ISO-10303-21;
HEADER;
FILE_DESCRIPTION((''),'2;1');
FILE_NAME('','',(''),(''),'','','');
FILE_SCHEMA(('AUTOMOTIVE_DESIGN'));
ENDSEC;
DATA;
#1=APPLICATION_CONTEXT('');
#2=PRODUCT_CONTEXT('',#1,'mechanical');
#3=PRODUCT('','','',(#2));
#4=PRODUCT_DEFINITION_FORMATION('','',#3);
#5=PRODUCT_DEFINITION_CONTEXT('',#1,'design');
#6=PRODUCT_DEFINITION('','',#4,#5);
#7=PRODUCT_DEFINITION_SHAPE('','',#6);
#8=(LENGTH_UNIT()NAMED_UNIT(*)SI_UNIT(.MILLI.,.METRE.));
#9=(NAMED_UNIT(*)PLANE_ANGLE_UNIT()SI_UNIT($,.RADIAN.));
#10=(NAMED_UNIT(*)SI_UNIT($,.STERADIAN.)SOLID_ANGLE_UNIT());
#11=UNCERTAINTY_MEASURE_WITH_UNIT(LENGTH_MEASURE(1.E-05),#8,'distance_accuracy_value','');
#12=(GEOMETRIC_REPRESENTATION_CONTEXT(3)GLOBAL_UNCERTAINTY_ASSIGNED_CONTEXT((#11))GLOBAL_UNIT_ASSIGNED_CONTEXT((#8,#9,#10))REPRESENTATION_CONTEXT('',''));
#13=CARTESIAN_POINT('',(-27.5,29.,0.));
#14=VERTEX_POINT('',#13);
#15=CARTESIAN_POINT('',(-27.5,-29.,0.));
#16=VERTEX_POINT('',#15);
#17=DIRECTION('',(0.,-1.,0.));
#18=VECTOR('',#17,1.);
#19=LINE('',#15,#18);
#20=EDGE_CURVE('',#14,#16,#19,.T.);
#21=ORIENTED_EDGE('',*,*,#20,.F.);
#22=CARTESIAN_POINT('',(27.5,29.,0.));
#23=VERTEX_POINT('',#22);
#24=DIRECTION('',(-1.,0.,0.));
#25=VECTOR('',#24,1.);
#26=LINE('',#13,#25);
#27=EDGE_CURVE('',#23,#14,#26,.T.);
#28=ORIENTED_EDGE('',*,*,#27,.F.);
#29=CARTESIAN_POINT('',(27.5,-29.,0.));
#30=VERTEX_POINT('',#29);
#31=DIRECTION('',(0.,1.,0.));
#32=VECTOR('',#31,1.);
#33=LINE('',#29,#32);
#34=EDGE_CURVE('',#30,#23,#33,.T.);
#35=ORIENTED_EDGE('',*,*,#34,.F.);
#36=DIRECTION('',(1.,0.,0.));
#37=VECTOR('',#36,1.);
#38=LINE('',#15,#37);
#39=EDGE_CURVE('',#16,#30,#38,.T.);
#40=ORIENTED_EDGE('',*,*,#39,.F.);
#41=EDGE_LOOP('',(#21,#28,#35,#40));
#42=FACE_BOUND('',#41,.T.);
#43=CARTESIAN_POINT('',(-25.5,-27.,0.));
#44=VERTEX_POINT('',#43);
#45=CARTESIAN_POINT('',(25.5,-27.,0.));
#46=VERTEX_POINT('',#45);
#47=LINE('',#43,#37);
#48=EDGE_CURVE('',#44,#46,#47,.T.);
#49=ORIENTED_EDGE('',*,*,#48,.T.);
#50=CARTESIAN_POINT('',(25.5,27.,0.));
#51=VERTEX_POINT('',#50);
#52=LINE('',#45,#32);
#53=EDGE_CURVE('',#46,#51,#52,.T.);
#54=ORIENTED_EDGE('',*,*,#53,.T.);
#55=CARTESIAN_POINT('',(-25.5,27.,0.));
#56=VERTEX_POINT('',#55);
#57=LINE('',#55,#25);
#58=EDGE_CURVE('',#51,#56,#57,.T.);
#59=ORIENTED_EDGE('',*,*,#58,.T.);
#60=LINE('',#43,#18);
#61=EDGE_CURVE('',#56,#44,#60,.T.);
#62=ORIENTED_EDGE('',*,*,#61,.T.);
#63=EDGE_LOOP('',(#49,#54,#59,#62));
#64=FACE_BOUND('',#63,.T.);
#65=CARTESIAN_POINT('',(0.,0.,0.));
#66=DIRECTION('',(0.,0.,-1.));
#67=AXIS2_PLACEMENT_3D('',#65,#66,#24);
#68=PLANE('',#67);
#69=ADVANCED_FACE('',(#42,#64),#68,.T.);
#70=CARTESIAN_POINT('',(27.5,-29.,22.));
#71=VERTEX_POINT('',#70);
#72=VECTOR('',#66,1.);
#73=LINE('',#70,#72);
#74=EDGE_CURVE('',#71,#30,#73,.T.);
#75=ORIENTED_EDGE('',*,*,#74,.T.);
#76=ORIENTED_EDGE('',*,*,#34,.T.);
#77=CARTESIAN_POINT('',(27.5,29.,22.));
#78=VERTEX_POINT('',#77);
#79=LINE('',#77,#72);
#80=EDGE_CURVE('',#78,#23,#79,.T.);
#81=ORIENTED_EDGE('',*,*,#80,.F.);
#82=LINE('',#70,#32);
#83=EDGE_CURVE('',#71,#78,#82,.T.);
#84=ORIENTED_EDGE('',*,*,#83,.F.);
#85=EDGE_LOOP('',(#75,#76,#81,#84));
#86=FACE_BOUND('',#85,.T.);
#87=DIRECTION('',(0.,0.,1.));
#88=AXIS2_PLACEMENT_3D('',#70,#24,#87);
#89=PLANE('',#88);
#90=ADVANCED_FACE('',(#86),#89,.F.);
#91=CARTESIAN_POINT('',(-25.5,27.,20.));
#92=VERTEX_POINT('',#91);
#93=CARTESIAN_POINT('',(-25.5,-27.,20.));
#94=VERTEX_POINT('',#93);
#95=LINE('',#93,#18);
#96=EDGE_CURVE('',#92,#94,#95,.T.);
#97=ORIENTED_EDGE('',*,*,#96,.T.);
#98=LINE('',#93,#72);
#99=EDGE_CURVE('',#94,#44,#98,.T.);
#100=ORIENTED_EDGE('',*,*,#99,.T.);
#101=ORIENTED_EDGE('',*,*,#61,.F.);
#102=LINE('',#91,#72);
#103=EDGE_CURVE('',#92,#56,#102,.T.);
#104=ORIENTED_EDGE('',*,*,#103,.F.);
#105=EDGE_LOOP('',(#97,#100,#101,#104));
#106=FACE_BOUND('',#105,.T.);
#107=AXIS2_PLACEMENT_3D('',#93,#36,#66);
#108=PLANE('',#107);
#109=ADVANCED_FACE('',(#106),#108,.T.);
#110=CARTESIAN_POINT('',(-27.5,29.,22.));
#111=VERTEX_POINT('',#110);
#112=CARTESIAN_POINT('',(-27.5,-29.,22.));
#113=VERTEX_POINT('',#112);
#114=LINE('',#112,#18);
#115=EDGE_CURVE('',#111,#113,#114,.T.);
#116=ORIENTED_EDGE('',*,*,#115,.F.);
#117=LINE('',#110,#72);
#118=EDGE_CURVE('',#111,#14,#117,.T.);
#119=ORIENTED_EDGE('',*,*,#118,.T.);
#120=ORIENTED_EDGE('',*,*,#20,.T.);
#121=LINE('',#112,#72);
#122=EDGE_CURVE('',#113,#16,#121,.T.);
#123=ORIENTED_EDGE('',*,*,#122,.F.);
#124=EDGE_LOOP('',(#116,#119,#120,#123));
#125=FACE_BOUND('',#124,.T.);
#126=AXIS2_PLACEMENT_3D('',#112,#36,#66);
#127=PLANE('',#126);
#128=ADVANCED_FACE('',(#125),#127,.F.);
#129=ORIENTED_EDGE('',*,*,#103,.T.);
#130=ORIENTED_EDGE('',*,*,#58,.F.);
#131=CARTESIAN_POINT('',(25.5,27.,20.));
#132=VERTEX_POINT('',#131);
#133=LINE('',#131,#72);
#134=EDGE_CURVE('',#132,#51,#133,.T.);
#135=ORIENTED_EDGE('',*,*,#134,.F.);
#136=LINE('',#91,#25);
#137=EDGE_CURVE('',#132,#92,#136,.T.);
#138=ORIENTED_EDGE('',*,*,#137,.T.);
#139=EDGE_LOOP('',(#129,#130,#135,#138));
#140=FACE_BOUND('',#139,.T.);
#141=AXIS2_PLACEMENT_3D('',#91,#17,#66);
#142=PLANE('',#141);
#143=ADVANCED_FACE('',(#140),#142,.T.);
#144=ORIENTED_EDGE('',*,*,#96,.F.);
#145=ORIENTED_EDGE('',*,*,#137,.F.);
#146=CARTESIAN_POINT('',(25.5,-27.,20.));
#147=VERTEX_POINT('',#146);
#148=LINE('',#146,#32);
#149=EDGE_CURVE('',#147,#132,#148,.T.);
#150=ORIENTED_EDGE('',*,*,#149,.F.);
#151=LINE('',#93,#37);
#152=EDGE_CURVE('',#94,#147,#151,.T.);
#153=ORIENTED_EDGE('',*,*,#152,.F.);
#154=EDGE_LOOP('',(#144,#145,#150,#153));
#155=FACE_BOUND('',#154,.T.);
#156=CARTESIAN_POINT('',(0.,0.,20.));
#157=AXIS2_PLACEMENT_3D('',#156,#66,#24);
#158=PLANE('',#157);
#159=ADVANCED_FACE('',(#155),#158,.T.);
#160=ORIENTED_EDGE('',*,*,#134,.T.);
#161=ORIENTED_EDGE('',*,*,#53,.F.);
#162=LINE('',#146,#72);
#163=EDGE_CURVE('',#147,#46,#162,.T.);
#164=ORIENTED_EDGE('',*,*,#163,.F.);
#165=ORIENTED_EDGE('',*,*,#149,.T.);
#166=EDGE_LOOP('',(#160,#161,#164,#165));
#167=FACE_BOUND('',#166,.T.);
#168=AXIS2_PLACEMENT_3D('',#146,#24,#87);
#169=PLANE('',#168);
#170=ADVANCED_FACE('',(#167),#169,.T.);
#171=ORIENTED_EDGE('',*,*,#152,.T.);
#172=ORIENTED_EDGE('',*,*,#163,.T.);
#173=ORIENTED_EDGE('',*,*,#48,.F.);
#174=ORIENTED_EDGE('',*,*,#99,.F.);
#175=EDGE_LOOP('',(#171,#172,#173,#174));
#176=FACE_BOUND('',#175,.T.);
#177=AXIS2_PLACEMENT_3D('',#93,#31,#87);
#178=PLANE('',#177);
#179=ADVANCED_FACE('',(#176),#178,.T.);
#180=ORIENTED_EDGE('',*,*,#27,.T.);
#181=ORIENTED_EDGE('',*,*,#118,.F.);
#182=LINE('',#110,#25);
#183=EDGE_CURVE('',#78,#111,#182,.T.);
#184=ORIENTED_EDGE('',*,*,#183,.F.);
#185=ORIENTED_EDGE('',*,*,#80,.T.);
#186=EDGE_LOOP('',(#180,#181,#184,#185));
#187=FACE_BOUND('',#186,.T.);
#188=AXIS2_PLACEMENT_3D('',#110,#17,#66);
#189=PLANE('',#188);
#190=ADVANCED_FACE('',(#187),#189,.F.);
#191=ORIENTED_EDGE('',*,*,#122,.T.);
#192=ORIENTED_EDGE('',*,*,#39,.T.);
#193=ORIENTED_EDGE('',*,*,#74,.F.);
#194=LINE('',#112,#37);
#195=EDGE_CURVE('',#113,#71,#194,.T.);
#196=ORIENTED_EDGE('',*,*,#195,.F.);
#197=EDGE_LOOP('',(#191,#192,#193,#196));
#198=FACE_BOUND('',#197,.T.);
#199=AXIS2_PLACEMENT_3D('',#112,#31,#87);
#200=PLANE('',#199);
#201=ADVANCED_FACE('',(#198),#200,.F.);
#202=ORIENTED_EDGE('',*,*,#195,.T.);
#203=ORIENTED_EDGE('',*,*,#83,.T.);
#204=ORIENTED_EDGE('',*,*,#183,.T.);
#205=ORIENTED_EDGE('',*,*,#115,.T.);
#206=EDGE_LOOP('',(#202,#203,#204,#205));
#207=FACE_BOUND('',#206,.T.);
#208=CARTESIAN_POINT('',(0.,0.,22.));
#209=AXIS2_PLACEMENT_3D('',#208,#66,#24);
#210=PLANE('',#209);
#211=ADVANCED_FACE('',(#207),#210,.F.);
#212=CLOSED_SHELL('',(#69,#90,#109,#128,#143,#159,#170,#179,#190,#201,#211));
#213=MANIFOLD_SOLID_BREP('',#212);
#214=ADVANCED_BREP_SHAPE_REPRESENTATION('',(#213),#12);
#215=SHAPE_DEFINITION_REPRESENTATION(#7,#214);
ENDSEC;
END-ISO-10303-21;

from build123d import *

# Parameters (mm, degrees)
SKETCH1_W           = 55
SKETCH1_H           = 58
BOSS_EXTRUDE1_DEPTH = 22
SKETCH2_W           = 51
SKETCH2_H           = 54
CUT_EXTRUDE2_DEPTH  = 20


with BuildPart() as part:
    # Sketch1 → Boss-Extrude1 (new body)
    with BuildSketch(Plane.XY):
        Rectangle(SKETCH1_W, SKETCH1_H)
    extrude(amount=BOSS_EXTRUDE1_DEPTH)

    # Sketch2 → Cut-Extrude2 (cut)
    with BuildSketch(Plane.XY):
        Rectangle(SKETCH2_W, SKETCH2_H)
    extrude(amount=CUT_EXTRUDE2_DEPTH, mode=Mode.SUBTRACT)


solid = part.part
